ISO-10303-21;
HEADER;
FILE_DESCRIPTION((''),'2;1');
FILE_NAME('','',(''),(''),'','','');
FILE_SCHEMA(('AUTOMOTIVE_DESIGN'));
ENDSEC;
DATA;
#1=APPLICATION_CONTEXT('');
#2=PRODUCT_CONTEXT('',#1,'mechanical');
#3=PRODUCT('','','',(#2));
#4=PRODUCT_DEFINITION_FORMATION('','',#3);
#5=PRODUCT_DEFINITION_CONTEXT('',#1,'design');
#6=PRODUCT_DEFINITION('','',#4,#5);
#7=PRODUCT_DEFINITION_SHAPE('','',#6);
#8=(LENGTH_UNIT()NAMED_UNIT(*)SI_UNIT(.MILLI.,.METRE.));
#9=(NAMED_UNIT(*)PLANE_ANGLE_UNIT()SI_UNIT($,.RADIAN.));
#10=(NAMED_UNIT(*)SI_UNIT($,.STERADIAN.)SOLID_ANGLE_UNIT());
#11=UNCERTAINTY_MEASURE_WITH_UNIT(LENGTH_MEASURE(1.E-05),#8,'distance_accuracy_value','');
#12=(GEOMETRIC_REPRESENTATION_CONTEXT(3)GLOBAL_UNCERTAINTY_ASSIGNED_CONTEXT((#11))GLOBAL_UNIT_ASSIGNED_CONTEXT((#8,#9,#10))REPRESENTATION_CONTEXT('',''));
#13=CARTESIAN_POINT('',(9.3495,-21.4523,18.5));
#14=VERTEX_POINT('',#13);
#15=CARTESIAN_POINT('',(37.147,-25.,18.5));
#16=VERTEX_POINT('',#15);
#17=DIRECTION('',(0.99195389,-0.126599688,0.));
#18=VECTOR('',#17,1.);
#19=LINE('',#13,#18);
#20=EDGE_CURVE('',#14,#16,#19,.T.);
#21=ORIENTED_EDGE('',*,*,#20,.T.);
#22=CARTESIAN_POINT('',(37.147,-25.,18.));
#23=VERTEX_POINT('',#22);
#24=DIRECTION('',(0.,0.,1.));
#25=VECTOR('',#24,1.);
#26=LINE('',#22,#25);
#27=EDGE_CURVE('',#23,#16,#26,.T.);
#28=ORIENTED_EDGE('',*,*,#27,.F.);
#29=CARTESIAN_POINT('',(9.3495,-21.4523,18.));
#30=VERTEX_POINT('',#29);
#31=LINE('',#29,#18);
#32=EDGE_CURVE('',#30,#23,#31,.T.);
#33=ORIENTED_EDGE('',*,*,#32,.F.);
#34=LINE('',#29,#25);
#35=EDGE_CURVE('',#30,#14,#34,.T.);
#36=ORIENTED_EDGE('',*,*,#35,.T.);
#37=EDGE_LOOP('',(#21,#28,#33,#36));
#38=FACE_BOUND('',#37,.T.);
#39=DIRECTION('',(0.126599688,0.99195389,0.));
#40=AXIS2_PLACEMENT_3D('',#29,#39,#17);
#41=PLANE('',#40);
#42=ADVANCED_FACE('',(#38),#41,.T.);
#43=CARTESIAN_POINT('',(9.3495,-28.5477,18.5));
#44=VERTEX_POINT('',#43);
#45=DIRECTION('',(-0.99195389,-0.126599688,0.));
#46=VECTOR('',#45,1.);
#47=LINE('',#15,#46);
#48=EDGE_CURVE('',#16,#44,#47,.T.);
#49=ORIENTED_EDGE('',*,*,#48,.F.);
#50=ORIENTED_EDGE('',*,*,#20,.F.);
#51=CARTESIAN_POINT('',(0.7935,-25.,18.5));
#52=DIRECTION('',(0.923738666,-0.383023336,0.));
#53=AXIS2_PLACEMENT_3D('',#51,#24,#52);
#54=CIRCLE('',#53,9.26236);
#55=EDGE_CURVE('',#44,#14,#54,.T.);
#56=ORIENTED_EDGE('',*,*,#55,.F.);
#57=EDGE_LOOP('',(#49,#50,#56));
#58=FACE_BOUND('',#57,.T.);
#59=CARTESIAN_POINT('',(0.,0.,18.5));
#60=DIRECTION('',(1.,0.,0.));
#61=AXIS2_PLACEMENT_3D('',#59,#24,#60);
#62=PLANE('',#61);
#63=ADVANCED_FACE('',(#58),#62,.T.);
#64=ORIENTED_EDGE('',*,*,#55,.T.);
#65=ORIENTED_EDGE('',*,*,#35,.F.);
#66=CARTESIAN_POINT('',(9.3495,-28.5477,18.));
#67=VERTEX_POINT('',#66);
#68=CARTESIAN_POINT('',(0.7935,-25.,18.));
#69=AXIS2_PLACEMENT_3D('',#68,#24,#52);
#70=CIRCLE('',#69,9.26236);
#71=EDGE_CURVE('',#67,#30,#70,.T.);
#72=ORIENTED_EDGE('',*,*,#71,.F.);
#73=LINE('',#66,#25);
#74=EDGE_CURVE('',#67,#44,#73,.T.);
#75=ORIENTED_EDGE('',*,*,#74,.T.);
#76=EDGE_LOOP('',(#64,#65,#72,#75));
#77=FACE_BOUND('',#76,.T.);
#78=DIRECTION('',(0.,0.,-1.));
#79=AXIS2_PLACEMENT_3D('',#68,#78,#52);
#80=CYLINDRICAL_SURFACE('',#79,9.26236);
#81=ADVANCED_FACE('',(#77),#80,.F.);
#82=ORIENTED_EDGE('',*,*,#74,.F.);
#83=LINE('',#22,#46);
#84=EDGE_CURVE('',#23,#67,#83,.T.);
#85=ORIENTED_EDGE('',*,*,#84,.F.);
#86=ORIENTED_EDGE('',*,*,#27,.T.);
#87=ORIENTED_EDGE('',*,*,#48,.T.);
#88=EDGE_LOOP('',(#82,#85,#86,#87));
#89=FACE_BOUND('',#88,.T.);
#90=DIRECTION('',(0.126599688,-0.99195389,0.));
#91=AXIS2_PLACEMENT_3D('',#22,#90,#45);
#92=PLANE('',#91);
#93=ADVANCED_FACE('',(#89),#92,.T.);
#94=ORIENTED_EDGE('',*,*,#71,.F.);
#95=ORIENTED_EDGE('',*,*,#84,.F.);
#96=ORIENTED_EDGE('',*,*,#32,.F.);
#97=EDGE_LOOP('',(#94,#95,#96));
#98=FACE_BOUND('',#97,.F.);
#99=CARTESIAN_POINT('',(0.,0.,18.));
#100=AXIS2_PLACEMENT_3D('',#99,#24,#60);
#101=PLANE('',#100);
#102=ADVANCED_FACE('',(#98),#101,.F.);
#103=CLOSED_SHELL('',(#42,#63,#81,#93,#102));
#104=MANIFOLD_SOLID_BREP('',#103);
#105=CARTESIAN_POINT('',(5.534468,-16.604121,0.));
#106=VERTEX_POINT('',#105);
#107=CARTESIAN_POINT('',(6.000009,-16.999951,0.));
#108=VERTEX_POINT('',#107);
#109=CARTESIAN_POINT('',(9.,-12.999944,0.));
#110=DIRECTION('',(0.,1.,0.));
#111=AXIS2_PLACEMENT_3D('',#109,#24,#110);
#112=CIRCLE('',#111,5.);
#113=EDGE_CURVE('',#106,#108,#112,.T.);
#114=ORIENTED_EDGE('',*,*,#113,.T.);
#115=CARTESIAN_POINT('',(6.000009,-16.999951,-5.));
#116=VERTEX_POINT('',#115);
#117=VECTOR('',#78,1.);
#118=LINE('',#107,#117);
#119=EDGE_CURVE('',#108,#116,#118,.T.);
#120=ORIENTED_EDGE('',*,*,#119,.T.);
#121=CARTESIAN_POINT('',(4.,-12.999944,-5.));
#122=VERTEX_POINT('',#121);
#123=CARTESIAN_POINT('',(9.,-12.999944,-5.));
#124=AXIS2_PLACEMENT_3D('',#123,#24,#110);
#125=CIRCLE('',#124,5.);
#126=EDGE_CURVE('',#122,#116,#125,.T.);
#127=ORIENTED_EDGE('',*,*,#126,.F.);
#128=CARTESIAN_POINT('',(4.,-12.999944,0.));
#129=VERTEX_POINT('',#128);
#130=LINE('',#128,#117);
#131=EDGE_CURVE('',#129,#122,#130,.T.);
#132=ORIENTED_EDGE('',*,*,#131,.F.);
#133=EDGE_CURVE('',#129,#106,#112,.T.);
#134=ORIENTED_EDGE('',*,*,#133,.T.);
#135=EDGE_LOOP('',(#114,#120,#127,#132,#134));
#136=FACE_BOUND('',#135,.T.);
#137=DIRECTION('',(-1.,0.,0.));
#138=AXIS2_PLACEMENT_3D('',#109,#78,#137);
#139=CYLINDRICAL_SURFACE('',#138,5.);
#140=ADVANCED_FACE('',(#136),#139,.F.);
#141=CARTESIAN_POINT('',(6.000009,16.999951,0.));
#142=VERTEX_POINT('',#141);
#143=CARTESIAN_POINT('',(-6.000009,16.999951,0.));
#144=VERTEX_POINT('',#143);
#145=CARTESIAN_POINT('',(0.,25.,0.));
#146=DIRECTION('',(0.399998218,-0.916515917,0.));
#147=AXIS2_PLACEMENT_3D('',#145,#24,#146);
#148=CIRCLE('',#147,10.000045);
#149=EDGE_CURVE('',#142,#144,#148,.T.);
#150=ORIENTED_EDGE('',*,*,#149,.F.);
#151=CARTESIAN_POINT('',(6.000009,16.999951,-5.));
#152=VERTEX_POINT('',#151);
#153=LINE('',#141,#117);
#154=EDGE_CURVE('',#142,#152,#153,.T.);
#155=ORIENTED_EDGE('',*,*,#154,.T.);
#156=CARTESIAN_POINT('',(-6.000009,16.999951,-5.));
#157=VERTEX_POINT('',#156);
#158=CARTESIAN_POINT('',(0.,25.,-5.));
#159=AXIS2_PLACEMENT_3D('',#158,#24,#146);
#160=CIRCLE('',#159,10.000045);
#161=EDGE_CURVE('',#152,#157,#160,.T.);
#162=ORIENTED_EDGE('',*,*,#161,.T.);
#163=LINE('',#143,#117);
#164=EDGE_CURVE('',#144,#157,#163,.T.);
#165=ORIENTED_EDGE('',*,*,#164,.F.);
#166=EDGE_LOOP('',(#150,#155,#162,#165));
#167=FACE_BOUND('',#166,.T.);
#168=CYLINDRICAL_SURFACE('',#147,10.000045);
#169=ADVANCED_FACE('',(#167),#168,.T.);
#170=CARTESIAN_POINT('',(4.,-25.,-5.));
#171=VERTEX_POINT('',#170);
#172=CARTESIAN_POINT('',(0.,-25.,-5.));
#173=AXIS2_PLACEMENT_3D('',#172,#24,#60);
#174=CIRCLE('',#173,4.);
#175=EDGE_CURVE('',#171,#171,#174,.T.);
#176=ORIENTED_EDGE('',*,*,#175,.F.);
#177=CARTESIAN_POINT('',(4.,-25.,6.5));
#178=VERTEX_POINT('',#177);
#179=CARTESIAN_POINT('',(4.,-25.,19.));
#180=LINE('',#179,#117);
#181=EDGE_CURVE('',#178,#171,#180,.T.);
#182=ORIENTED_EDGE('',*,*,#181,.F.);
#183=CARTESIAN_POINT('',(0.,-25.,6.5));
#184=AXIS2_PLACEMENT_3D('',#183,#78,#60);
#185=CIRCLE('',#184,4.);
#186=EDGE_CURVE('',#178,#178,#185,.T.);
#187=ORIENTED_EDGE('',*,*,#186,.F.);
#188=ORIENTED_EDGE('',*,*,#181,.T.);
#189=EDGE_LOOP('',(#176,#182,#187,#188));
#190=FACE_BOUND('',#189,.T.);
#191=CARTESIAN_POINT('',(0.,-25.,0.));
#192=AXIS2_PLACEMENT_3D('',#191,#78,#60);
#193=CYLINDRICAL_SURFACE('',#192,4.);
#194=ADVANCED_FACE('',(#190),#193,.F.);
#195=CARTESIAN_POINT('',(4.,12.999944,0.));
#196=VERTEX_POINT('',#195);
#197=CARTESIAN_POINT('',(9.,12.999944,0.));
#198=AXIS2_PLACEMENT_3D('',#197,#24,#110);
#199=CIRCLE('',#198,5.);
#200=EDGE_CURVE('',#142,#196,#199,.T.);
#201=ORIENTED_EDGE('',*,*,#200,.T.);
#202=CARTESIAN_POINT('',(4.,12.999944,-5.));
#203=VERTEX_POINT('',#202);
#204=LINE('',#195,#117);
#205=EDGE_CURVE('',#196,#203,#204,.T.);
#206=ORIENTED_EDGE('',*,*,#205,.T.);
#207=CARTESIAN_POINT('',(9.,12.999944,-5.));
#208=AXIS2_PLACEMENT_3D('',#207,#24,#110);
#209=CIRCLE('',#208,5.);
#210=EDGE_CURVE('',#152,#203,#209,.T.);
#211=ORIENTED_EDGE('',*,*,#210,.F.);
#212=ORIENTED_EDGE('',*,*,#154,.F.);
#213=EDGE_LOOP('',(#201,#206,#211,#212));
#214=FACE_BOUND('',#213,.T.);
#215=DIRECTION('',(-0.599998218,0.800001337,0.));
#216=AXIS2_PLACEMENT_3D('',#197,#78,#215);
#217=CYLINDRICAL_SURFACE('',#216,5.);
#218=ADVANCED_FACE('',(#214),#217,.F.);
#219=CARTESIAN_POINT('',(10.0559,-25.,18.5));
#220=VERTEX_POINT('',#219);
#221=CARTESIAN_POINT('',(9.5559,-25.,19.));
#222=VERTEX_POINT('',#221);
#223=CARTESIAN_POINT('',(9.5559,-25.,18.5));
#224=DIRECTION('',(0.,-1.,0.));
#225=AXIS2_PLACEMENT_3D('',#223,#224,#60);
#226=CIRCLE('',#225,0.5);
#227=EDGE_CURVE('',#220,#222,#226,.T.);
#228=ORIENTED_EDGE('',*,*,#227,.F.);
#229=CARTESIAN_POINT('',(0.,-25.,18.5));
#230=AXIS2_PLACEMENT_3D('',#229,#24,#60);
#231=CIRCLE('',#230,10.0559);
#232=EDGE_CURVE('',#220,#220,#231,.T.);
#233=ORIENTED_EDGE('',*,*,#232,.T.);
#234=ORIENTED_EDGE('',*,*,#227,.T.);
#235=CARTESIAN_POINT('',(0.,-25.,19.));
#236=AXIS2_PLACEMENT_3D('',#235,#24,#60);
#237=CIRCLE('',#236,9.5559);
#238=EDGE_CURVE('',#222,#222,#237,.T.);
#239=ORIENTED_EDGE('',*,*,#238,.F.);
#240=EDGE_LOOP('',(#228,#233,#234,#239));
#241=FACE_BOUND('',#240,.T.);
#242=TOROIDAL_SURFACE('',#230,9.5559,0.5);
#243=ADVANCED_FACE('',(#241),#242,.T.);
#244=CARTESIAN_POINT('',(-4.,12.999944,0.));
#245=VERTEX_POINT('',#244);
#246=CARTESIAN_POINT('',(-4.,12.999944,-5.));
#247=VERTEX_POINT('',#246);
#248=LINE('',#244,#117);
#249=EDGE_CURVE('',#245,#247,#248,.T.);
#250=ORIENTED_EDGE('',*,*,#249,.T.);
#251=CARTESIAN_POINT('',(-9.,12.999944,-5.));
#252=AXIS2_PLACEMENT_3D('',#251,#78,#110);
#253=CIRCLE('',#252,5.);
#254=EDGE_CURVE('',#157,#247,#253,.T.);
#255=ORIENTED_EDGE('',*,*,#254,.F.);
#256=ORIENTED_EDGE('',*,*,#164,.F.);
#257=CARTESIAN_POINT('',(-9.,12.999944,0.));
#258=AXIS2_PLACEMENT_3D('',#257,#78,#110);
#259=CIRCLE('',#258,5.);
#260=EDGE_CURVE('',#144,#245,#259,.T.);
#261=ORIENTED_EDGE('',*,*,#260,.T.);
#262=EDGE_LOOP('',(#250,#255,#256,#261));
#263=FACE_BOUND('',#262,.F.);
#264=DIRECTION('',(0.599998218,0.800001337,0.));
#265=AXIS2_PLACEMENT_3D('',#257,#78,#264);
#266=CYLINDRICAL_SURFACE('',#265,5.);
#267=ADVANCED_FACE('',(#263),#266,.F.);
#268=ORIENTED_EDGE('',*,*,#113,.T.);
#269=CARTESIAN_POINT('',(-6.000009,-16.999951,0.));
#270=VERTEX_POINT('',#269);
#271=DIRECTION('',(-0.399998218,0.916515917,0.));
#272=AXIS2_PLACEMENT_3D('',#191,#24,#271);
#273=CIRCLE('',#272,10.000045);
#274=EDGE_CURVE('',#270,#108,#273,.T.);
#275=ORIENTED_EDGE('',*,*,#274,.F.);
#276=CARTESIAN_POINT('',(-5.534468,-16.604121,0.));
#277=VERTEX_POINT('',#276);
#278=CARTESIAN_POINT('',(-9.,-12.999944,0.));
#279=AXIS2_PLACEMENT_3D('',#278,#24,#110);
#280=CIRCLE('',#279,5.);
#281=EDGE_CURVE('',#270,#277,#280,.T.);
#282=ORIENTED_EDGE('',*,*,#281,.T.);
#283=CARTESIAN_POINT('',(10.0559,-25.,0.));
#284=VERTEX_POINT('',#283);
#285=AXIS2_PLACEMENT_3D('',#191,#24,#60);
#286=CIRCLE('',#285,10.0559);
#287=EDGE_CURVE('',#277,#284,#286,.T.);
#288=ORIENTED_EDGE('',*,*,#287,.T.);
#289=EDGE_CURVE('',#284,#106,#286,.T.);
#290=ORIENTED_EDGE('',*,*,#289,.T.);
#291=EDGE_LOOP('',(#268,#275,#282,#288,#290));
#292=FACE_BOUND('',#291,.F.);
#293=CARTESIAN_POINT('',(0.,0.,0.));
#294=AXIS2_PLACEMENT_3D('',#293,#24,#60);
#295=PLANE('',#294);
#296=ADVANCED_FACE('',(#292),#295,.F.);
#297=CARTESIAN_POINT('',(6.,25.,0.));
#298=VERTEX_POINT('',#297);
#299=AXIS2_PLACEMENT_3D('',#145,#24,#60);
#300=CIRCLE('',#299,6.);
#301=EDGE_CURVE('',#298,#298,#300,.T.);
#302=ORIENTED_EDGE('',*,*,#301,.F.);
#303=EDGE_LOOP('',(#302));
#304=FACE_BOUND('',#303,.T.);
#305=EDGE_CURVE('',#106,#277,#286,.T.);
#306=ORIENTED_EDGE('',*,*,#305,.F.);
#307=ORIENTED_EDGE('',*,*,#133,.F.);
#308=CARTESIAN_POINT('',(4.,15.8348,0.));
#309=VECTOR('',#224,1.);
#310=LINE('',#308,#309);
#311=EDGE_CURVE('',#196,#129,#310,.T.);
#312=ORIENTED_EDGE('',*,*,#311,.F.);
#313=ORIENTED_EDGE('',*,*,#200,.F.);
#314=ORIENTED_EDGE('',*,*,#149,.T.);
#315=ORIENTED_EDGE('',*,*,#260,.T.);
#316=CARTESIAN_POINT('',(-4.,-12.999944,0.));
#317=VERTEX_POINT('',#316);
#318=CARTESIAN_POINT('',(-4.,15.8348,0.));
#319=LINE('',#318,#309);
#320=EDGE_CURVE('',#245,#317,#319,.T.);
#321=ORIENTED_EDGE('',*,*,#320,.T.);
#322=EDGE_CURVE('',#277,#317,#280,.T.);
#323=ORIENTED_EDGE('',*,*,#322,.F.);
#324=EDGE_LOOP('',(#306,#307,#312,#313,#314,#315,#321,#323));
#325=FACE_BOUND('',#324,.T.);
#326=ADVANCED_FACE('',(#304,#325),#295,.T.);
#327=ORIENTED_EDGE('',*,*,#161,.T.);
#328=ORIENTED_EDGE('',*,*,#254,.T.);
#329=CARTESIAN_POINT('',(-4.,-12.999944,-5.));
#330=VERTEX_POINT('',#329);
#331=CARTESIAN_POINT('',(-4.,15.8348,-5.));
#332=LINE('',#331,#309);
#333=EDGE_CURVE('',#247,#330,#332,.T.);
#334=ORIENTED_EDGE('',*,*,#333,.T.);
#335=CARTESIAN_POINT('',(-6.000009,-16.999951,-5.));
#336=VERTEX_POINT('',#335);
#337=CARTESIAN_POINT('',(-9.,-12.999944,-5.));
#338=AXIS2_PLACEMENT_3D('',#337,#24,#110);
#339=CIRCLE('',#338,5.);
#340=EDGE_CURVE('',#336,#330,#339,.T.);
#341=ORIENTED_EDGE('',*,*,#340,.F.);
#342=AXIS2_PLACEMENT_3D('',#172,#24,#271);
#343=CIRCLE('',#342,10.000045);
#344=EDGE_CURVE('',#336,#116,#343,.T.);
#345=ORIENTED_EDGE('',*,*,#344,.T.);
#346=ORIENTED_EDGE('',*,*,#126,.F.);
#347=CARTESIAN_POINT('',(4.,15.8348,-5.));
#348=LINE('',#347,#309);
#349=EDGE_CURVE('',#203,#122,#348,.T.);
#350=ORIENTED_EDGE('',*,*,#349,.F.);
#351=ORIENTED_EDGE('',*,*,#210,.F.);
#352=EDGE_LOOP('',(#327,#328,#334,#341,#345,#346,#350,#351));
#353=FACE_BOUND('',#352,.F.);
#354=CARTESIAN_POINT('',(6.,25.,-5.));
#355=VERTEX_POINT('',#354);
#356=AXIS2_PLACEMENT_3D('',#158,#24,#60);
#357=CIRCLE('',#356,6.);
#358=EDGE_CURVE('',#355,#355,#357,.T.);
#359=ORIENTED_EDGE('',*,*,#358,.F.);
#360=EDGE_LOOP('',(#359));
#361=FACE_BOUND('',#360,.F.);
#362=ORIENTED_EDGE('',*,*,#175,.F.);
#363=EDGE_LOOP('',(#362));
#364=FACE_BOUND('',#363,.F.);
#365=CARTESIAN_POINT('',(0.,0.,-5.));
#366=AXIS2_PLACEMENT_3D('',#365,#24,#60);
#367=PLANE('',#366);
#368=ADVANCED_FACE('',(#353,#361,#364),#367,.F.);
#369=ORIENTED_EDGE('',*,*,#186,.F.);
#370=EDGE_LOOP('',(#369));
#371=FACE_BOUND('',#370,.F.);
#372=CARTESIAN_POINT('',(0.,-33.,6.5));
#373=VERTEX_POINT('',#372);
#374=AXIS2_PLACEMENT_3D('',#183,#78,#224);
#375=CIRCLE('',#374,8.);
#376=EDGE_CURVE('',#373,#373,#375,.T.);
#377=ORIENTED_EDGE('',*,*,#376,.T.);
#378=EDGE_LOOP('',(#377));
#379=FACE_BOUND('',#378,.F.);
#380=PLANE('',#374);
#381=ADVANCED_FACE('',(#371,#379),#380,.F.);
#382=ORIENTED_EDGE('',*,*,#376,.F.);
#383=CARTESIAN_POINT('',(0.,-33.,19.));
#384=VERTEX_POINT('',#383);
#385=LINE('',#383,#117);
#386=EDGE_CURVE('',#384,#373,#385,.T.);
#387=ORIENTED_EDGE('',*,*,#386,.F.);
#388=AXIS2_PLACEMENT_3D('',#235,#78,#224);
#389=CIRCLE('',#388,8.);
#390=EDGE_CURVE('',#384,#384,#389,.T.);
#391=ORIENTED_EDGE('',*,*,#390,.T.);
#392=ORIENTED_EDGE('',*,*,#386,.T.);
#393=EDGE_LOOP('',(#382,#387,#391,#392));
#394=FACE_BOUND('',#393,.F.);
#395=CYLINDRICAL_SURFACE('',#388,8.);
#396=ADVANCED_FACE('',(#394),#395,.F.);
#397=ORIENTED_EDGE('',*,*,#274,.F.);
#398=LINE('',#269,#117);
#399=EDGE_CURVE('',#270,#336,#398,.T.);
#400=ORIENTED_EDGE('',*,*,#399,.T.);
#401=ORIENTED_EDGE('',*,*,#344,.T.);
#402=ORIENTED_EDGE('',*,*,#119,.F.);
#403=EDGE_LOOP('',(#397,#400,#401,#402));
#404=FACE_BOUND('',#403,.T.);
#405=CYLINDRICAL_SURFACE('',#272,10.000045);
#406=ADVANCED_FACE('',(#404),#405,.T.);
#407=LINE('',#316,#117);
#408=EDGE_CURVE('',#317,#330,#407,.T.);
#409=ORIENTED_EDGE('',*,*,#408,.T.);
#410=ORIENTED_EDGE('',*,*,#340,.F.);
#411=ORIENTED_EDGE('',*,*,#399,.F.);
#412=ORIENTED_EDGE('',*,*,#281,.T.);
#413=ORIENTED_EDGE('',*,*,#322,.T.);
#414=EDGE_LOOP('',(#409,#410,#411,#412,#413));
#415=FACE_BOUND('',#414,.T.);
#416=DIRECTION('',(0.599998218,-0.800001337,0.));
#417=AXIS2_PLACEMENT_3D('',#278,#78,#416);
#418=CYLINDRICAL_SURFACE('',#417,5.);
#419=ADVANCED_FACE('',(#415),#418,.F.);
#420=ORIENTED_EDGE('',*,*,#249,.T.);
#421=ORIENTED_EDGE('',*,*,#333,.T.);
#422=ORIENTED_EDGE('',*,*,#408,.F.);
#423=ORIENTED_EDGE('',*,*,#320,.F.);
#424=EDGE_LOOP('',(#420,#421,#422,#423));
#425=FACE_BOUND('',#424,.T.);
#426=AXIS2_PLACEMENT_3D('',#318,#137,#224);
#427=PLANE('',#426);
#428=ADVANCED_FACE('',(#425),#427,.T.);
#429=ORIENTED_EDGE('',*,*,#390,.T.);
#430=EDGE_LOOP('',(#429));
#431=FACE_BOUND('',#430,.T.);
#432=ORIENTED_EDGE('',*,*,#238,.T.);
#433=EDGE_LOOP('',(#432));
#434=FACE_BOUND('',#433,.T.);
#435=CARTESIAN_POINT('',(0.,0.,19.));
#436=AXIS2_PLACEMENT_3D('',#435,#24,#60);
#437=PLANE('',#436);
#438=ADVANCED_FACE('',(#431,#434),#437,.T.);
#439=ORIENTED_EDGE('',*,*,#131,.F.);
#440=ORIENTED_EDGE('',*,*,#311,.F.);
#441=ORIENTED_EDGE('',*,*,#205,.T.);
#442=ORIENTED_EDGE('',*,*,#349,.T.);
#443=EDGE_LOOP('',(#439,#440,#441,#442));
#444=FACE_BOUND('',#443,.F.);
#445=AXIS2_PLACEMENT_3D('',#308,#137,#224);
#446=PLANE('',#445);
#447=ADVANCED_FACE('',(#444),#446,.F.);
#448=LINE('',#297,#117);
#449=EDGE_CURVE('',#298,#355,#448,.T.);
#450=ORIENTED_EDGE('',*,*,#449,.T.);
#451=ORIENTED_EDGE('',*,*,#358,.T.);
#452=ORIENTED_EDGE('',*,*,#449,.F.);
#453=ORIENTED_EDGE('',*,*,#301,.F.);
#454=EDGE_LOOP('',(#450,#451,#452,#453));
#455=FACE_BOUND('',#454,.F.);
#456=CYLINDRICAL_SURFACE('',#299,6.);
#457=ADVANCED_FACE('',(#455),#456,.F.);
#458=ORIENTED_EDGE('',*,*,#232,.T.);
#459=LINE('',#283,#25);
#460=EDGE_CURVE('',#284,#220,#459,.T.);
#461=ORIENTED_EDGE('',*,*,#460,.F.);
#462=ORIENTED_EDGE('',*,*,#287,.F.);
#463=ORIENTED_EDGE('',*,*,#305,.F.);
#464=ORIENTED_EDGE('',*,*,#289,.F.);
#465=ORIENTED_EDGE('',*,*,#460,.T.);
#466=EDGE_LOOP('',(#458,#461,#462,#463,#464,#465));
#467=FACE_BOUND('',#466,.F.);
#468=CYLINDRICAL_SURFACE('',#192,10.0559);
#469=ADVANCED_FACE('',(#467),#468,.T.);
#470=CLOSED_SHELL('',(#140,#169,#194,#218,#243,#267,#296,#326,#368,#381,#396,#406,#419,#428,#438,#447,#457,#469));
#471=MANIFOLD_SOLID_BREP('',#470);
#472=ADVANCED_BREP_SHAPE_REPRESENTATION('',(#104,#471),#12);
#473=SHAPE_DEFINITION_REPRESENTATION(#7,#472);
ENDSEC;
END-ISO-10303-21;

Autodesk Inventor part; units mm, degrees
ref_plane "YZ Plane" through (0, 0, 0) normal (1, 0, 0) x (0, 1, 0)
ref_plane "XZ Plane" through (0, 0, 0) normal (0, 1, 0) x (-1, 0, 0)
sketch "Sketch1" plane through (0, 0, 0) normal (0, 0, 1) x (1, 0, 0)
  line L0 (-4, 15.8348) -> (-4, -15.8348)
  line L1 (4, 15.8348) -> (4, -15.8348)
  arc A0 (4, 15.8348) -> (-4, 15.8348) centre (0, 25) ccw
  arc A1 (-4, -15.8348) -> (4, -15.8348) centre (0, -25) ccw
  circle A2 centre (0, 25) radius 6
  circle A3 centre (0, -25) radius 4
  point P0 (0, 0)
  point P1 (-4, 0)
  dimension "d0" = 50
  dimension "d1" = 8
  dimension "d2" = 4
  dimension "d3" = 10
  dimension "d4" = 10
  dimension "d5" = 12
  dimension "d6" = 8
extrude "Extrusion1" add sketch "Sketch1" against normal blind 5
fillet "Fillet1" radius 5 4 edges at (4, 15.8348, -2.5) (-4, 15.8348, -2.5) (4, -15.8348, -2.5) (-4, -15.8348, -2.5)
sketch "Sketch2" plane through (0, 0, 0) normal (0, 0, 1) x (1, 0, 0)
  circle A0 centre (0, -25) radius 4 projected
  circle A1 centre (0, -25) radius 10.0559
  point P0 (0, 0)
extrude "Extrusion2" add sketch "Sketch2" along normal blind 19
sketch "Sketch3" plane through (0, -25, 19) normal (0, 0, 1) x (1, 0, 0)
  circle A0 centre (0, 0) radius 10.0559 projected
  point P0 (0, 25)
hole "Hole1" at (0, -25, 19) direction (0, 0, -1) diameter 16 depth 12.5
fillet "Fillet2" radius 0.5 1 edges at (-10.0559, -25, 19)
ref_plane "Work Plane1" through (0, 0, 18) normal (0, 0, 1) x (1, 0, 0)
sketch "Sketch5" plane through (0, 0, 18) normal (0, 0, 1) x (1, 0, 0)
  arc A0 (-6, -17) -> (6, -17) centre (0, -25) ccw projected
  line L0 (9.3495, -21.4523) -> (37.147, -25)
  line L1 (37.147, -25) -> (9.3495, -28.5477)
  line L2 (0, -25) -> (37.147, -25) construction
  arc A1 (9.3495, -28.5477) -> (9.3495, -21.4523) centre (0.7935, -25) ccw
  point P0 (0, 0)
extrude "Extrusion3" add sketch "Sketch5" along normal blind 0.5 separate body contours A1 L0 L1
properties part number "203 part 1" material "Steel, Alloy"
